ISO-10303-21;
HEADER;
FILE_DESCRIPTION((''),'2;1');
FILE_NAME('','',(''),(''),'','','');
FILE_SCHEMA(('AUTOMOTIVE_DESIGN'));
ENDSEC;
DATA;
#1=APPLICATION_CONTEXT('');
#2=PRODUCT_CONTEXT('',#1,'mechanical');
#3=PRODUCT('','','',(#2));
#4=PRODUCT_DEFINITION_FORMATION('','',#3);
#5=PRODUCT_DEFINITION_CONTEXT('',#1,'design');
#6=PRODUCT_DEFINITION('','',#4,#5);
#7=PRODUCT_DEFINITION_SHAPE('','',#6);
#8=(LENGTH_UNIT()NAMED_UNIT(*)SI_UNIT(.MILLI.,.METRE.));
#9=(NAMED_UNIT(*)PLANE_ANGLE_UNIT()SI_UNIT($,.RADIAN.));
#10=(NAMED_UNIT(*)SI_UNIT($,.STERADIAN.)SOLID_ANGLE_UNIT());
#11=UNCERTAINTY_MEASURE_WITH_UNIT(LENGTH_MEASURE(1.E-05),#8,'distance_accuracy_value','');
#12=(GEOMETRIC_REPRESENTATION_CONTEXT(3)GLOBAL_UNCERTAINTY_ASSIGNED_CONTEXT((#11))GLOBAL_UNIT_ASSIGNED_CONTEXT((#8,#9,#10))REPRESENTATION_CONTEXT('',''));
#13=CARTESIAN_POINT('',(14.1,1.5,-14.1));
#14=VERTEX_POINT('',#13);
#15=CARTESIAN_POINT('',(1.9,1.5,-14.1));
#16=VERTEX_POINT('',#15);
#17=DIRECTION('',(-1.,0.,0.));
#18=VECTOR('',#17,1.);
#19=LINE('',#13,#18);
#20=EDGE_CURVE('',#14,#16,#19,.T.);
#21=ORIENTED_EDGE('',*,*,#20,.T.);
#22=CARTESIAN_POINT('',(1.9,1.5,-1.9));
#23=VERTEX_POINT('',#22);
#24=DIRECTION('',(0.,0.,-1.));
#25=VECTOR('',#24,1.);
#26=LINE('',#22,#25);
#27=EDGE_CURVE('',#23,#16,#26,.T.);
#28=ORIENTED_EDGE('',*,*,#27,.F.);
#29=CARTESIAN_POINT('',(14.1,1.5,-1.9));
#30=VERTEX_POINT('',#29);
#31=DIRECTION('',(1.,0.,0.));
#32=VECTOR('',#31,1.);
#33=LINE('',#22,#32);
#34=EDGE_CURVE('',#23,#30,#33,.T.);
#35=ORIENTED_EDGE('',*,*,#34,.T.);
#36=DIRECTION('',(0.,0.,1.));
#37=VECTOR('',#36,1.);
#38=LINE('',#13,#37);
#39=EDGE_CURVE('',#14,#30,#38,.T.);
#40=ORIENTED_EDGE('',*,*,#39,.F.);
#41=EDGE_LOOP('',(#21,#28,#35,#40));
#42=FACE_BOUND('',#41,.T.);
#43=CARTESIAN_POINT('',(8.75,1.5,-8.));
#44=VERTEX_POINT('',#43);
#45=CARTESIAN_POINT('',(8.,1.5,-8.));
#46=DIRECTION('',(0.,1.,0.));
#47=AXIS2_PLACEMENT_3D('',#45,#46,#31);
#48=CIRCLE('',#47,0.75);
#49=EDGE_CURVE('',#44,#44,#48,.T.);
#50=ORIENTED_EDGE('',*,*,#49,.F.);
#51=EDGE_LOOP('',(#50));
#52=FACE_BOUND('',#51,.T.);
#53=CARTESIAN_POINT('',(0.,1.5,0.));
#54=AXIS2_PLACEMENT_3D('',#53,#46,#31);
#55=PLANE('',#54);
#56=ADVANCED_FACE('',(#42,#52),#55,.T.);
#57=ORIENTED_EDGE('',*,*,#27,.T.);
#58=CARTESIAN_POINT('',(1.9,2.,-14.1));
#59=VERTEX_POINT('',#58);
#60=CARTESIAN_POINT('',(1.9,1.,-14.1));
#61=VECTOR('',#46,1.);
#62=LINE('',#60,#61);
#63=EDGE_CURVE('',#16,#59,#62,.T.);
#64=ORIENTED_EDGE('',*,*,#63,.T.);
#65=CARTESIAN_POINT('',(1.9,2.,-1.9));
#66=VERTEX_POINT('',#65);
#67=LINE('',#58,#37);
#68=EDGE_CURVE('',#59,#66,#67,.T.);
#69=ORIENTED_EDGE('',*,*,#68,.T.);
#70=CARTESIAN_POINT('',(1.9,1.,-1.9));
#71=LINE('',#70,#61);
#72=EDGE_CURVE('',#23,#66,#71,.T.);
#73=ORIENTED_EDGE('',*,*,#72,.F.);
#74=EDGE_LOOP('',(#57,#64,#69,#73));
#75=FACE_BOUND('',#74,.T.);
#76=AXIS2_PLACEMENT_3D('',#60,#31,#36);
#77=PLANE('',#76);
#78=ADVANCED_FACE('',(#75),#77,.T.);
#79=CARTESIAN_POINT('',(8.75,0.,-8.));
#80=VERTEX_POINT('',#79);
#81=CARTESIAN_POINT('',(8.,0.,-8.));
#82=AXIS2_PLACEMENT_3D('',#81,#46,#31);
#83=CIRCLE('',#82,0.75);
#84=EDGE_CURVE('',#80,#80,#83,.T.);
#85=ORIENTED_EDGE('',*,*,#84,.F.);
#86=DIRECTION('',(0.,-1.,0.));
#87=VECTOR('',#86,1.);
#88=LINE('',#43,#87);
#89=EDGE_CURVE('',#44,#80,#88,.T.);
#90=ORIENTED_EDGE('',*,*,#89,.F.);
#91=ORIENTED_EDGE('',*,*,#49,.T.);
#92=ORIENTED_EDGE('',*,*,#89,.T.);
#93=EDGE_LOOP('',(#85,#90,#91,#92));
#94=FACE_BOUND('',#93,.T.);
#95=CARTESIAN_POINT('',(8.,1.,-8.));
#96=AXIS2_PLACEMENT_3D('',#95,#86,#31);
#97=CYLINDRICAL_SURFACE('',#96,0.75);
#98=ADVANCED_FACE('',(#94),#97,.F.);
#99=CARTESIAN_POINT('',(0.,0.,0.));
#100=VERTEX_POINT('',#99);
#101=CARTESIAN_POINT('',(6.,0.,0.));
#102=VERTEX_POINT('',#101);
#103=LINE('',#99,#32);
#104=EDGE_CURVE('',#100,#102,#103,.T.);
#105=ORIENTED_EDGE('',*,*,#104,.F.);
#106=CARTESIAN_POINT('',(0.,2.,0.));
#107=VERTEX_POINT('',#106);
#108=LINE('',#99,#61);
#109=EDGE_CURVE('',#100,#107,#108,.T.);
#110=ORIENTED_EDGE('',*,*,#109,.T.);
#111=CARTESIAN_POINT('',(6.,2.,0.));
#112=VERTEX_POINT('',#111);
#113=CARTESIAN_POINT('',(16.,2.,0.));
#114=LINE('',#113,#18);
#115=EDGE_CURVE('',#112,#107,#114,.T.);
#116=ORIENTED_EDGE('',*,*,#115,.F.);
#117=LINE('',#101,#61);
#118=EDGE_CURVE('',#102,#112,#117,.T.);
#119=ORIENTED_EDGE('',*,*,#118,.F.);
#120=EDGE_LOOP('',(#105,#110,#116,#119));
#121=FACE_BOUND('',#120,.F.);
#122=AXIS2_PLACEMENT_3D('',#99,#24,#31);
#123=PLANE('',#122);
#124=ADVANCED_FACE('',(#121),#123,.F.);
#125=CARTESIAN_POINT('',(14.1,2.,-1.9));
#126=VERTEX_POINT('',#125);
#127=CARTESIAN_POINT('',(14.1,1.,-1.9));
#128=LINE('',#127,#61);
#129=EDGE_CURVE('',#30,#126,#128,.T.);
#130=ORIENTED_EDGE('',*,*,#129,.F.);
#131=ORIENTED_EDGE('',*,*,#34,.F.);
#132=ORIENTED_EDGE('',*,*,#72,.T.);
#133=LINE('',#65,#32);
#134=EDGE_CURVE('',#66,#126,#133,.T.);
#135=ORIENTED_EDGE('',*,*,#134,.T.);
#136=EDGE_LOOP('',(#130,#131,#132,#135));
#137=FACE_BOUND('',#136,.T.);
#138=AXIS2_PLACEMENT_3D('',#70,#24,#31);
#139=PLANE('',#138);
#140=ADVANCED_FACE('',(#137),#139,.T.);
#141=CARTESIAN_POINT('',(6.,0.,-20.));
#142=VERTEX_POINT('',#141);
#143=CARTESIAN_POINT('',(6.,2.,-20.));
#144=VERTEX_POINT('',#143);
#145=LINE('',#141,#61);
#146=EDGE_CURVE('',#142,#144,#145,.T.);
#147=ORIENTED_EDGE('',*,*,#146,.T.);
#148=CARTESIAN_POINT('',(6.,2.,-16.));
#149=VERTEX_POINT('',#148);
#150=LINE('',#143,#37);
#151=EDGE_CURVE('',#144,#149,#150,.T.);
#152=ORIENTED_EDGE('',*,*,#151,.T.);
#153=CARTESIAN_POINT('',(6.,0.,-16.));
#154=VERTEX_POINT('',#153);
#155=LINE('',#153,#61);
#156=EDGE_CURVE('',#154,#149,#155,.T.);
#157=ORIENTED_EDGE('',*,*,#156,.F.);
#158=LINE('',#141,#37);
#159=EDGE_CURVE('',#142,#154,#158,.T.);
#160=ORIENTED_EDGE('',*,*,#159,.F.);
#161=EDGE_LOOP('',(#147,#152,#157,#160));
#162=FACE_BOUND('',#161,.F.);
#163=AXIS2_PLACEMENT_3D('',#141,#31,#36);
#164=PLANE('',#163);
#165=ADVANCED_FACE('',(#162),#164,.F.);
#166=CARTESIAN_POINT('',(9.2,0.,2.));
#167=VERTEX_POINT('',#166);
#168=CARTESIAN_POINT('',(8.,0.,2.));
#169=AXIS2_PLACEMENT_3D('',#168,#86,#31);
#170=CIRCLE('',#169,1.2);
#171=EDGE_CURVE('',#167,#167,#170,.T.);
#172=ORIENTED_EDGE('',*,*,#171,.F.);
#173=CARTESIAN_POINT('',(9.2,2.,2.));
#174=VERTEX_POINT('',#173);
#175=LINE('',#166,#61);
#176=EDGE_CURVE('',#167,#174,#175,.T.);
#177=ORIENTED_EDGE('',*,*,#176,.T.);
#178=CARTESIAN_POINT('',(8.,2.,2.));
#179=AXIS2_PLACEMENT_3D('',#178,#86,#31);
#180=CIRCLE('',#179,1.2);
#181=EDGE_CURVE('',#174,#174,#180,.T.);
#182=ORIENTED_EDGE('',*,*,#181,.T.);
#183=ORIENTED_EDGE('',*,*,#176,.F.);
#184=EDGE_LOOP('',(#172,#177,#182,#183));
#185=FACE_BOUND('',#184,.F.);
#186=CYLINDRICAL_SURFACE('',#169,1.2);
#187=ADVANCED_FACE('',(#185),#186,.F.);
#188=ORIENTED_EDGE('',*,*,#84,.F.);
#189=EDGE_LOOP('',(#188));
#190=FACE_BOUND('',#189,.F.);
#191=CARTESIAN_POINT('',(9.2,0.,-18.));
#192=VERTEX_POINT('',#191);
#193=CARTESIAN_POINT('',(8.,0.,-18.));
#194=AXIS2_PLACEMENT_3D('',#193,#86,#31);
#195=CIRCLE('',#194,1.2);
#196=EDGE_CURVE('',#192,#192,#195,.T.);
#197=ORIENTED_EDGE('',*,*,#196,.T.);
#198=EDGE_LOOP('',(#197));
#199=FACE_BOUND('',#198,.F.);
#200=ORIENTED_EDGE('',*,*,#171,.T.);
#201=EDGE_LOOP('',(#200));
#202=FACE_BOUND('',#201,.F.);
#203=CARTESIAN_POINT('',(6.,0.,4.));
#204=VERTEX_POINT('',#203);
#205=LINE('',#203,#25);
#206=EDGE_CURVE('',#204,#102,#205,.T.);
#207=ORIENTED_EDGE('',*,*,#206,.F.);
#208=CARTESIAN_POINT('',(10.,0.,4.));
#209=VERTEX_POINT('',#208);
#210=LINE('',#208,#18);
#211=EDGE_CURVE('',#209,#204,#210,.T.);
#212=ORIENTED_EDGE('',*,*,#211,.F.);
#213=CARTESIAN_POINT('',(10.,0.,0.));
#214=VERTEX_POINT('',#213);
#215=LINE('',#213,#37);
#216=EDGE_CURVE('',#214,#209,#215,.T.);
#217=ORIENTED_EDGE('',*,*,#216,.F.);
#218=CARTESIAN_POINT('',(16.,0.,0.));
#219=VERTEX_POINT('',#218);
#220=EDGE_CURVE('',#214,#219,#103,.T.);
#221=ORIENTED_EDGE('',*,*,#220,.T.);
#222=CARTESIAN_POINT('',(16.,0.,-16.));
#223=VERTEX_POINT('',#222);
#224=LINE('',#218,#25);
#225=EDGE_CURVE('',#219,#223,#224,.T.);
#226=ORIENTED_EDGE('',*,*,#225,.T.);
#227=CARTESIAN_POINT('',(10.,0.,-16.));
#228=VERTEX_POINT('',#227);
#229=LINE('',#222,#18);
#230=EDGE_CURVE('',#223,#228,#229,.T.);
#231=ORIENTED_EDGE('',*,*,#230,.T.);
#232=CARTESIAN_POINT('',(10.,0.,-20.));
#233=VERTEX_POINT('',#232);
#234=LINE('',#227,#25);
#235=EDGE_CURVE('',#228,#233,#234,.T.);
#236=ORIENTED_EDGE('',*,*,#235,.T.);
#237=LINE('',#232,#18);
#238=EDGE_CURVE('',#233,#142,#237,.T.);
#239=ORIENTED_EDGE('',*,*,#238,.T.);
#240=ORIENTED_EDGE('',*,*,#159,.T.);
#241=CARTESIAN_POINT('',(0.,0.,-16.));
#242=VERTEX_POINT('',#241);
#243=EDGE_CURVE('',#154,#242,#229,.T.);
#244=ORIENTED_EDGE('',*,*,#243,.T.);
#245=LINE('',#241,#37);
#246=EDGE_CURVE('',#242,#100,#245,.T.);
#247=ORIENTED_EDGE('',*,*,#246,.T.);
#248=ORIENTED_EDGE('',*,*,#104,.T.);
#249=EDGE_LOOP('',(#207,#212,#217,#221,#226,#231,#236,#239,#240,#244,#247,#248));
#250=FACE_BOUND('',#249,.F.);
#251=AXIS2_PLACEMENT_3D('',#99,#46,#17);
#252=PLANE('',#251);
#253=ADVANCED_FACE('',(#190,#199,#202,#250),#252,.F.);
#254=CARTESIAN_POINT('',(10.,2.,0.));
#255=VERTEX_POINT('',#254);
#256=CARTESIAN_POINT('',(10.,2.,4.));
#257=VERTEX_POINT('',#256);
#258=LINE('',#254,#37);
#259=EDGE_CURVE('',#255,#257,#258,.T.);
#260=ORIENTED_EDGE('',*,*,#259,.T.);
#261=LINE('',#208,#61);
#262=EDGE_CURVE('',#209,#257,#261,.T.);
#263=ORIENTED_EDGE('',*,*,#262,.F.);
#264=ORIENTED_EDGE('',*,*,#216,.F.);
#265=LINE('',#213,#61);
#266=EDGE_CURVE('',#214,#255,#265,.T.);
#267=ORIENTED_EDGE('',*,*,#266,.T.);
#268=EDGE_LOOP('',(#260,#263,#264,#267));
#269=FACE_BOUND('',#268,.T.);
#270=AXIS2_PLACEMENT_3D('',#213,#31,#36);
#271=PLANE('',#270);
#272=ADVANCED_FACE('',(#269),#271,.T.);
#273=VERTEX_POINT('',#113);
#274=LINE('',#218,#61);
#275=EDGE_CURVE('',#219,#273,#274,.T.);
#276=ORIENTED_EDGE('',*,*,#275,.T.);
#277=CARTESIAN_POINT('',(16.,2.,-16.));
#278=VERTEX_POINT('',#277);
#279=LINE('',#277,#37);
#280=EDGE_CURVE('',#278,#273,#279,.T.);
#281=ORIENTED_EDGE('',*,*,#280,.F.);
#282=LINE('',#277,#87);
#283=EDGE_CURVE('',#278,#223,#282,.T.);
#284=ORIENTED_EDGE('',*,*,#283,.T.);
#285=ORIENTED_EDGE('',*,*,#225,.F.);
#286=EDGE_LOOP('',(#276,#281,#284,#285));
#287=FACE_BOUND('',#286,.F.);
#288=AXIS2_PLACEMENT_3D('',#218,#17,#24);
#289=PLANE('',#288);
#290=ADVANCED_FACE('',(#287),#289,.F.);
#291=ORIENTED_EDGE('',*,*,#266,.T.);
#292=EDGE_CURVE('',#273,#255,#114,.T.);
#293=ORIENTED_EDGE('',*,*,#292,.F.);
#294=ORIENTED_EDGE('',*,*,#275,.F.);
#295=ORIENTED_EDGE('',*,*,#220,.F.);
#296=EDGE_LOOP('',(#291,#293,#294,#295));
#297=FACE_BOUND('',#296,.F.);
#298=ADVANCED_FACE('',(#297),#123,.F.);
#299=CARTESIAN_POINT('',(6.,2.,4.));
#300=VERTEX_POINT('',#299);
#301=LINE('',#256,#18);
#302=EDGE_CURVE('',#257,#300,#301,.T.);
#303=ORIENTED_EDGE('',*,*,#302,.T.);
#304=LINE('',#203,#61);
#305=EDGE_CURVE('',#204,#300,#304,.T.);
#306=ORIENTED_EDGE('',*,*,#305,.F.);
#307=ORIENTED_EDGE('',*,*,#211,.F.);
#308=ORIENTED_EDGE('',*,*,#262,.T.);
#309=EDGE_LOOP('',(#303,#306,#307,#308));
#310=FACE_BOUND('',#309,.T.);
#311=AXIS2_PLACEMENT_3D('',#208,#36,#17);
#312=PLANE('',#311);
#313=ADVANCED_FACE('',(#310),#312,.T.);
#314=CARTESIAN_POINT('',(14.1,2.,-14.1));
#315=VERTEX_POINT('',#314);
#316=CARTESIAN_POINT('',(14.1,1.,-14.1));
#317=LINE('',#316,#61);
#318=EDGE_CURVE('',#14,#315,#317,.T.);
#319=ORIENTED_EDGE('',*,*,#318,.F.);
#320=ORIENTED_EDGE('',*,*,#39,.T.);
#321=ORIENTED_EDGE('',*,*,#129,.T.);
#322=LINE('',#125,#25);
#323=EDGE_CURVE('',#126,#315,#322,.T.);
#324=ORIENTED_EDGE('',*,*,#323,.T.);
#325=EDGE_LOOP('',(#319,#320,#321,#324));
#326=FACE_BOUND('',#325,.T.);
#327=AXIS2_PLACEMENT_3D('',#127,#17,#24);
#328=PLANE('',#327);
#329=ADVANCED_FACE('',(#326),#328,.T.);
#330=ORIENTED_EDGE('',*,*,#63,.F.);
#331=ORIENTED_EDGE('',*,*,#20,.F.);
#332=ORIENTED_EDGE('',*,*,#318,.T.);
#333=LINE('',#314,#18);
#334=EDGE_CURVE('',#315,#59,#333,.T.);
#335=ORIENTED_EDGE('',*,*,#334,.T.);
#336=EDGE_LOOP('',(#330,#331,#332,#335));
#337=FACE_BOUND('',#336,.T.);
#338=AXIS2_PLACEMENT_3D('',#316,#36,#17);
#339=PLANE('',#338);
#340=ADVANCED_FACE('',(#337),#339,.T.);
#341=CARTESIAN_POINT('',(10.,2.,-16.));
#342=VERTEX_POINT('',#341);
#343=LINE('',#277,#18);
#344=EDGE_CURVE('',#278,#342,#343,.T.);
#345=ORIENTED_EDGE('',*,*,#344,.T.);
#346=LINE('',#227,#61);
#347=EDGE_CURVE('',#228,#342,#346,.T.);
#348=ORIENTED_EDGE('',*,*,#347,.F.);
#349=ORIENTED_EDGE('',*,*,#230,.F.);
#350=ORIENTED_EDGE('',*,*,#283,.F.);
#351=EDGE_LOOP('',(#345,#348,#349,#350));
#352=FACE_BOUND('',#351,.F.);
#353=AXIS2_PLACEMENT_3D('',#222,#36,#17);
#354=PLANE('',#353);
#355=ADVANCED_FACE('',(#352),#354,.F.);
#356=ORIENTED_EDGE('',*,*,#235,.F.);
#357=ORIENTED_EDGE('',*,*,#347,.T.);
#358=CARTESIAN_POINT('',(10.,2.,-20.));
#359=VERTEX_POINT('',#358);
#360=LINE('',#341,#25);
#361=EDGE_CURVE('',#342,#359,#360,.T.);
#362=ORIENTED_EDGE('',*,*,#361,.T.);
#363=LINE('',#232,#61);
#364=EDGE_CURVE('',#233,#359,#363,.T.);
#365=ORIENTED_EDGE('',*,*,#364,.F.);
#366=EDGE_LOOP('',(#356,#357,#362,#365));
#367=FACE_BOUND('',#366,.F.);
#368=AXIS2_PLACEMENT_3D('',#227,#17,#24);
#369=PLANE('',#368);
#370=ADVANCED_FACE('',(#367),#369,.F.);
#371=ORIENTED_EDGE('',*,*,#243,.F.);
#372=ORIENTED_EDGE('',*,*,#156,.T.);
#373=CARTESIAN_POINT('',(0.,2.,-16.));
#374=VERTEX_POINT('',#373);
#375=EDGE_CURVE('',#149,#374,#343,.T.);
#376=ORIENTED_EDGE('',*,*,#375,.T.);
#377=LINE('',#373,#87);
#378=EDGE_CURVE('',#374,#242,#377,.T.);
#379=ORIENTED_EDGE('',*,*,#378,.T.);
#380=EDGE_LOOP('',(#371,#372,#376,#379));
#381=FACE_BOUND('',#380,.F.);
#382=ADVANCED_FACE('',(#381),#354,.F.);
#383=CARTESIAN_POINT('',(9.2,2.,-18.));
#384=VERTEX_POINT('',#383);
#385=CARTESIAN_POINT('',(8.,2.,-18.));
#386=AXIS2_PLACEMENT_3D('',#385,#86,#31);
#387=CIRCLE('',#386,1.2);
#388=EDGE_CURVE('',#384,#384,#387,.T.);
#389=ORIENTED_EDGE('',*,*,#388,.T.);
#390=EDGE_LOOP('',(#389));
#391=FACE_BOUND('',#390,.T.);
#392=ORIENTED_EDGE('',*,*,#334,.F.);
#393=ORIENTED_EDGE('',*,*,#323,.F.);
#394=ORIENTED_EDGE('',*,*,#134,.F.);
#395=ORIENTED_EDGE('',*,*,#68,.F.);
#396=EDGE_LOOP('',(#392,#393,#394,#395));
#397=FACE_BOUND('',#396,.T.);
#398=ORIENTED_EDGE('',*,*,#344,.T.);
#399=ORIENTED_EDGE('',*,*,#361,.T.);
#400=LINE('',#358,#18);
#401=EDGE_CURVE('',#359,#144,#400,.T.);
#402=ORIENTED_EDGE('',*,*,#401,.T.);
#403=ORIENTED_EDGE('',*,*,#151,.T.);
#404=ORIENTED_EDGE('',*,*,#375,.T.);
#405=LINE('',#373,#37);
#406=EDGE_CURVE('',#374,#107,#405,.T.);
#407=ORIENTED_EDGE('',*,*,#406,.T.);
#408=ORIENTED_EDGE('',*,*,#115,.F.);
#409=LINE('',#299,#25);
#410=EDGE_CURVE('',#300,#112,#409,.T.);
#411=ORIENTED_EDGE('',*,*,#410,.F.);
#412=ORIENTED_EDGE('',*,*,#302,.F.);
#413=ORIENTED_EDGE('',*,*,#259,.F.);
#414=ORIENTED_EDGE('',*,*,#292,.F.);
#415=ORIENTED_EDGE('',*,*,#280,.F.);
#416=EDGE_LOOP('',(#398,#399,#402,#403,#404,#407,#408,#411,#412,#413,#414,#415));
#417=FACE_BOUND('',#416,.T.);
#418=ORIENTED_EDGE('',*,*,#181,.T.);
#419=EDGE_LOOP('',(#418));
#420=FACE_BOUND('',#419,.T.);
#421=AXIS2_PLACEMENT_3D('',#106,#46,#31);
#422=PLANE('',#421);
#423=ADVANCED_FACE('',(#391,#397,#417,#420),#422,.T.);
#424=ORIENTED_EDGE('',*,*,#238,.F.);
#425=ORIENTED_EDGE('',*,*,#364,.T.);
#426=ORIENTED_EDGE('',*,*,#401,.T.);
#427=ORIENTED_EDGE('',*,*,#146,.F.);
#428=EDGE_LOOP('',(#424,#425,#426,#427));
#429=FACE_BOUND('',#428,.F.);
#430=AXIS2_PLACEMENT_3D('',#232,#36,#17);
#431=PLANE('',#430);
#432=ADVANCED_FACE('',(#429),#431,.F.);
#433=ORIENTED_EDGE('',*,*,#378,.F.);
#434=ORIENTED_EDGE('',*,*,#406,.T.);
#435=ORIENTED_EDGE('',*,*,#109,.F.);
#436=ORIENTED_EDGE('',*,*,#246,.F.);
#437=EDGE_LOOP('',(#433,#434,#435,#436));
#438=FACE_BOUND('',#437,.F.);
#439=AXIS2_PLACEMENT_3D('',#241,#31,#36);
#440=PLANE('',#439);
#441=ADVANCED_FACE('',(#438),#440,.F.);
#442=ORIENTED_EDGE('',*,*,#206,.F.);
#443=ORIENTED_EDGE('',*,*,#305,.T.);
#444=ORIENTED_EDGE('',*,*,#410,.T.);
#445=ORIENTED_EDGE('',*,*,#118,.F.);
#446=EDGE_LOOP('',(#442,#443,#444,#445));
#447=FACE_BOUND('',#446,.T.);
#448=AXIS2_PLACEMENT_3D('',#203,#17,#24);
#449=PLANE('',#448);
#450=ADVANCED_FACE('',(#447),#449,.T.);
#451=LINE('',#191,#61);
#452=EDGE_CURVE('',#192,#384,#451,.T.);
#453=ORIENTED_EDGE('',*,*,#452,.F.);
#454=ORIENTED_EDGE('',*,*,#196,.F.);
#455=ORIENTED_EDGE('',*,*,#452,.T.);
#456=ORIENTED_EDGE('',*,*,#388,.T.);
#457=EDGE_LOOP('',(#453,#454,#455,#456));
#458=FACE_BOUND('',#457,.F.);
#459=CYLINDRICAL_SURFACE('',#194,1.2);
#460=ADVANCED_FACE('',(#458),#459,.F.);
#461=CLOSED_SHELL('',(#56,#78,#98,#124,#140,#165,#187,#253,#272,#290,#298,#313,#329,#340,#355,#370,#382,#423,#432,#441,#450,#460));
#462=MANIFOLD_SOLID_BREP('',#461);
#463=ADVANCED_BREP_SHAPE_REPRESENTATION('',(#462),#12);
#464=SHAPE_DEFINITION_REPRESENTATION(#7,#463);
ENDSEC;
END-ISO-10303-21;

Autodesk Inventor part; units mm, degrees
ref_plane "YZ Plane" through (0, 0, 0) normal (1, 0, 0) x (0, 1, 0)
ref_plane "XZ Plane" through (0, 0, 0) normal (0, 1, 0) x (-1, 0, 0)
ref_plane "XY Plane" through (0, 0, 0) normal (0, 0, 1) x (1, 0, 0)
sketch "Sketch1" plane through (0, 0, 0) normal (0, 1, 0) x (-1, 0, 0)
  line L0 (0, 0) -> (-16, 0)
  line L1 (-16, 0) -> (-16, -16)
  line L2 (-16, -16) -> (0, -16)
  line L3 (0, -16) -> (0, 0)
  dimension "d0" = 16
  dimension "d1" = 16
extrude "Extrusion1" add sketch "Sketch1" along normal blind 1
sketch "Sketch5" plane through (0, 1, 0) normal (0, 1, 0) x (1, 0, 0)
  line L0 (16, 0) -> (16, 16) projected
  line L1 (0, 0) -> (16, 0)
  line L2 (16, 0) -> (16, 16)
  line L3 (16, 16) -> (0, 16)
  line L4 (0, 16) -> (0, 0)
  line L5 (0, 16) -> (0, 0) projected
  line L6 (0, 0) -> (1, 0)
  line L7 (1, 0) -> (1, 1)
  line L8 (1, 1) -> (0, 1)
  line L9 (0, 1) -> (0, 0)
  line L10 (16, 16) -> (0, 16) projected
  line L11 (16, 16) -> (15, 16)
  line L12 (15, 16) -> (15, 15)
  line L13 (15, 15) -> (16, 15)
  line L14 (16, 15) -> (16, 16)
  line L15 (15, 15) -> (1, 15)
  line L16 (1, 15) -> (1, 1)
  line L17 (1, 1) -> (15, 1)
  line L18 (15, 1) -> (15, 15)
  dimension "d20" = 1
  dimension "d21" = 1
  dimension "d22" = 1
  dimension "d23" = 1
extrude "Extrusion5" add sketch "Sketch5" along normal blind 1 contours L1 L7 L17 L18 L13 L0 | L13 L12 L3 L0 | L1 L4 L8 L7 | L15 L16 L8 L4 L3 L12
sketch "Sketch6" plane through (0, 1, 0) normal (0, 1, 0) x (1, 0, 0)
  line L0 (1, 1) -> (1, 15) projected
  line L1 (15, 15) -> (15, 1) projected
  line L2 (1, 15) -> (15, 15) projected
  line L3 (15, 1) -> (1, 1) projected
  circle A0 centre (8, 8) radius 0.75
  line L4 (1, 8) -> (7.25, 8)
  line L5 (8.75, 8) -> (15, 8)
  line L6 (8, 15) -> (8, 8.75)
  line L7 (8, 7.25) -> (8, 1)
  point P0 (0, 0)
  dimension "d26" = 1.5
extrude "Extrusion6" cut sketch "Sketch6" against normal blind 1 contours A0
sketch "Sketch9" plane through (0, 0, 0) normal (0, -1, 0) x (1, 0, 0)
  circle A0 centre (8, -8) radius 0.75 projected
  line L0 (8, -8) -> (8, 0)
  line L1 (8, 0) -> (6, 0)
  line L2 (0, 0) -> (16, 0) projected
  line L3 (6, 0) -> (10, 0)
  line L4 (10, 0) -> (10, 4)
  line L5 (10, 4) -> (6, 4)
  line L6 (6, 4) -> (6, 0)
  line L7 (16, -16) -> (0, -16) projected
  line L8 (8, -16) -> (6, -16)
  line L9 (6, -16) -> (10, -16)
  line L10 (10, -16) -> (10, -20)
  line L11 (10, -20) -> (6, -20)
  line L12 (6, -20) -> (6, -16)
  circle A1 centre (8, 2) radius 1.2
  circle A2 centre (8, -18) radius 1.2
  dimension "d35" = 2
  dimension "d36" = 4
  dimension "d37" = 4
  dimension "d38" = 2
  dimension "d39" = 4
  dimension "d40" = 4
  dimension "d43" = 2.4
  dimension "d44" = 2.4
extrude "Extrusion9" add sketch "Sketch9" against normal blind 2 contours L1 L6 L5 L4 L2 | L10 L11 L12 L7
sketch "Sketch11" plane through (0, 1, 0) normal (0, 1, 0) x (1, 0, 0)
  line L0 (1, 1) -> (1, 15) projected
  line L1 (1, 1) -> (15, 1)
  line L2 (15, 1) -> (15, 15)
  line L3 (15, 15) -> (1, 15)
  line L4 (1, 15) -> (1, 1)
  line L5 (1, 1) -> (1.9, 1)
  line L6 (1.9, 1) -> (1.9, 1.9)
  line L7 (1.9, 1.9) -> (1, 1.9)
  line L8 (1, 1.9) -> (1, 1)
  line L9 (15, 1) -> (15, 15) projected
  line L10 (15, 15) -> (14.1, 15)
  line L11 (14.1, 15) -> (14.1, 14.1)
  line L12 (14.1, 14.1) -> (15, 14.1)
  line L13 (15, 14.1) -> (15, 15)
  line L14 (14.1, 14.1) -> (1.9, 14.1)
  line L15 (1.9, 14.1) -> (1.9, 1.9)
  line L16 (1.9, 1.9) -> (14.1, 1.9)
  line L17 (14.1, 1.9) -> (14.1, 14.1)
  point P0 (0, 0)
  dimension "d47" = 0.9
  dimension "d48" = 0.9
  dimension "d49" = 0.9
  dimension "d50" = 0.9
extrude "Extrusion10" add sketch "Sketch11" along normal blind 1 contours L0 L7 L6 L1 | L0 L3 L11 L14 L15 L7 | L6 L16 L17 L12 L2 L1 | L3 L2 L12 L11
sketch "Sketch12" plane through (0, 1, 0) normal (0, 1, 0) x (1, 0, 0)
  line L0 (1.9, 1.9) -> (1.9, 14.1) projected
  line L1 (14.1, 14.1) -> (14.1, 1.9) projected
  line L2 (1.9, 1.9) -> (14.1, 1.9)
  line L3 (14.1, 1.9) -> (14.1, 14.1)
  line L4 (14.1, 14.1) -> (1.9, 14.1)
  line L5 (1.9, 14.1) -> (1.9, 1.9)
  circle A0 centre (8, 8) radius 0.75 projected
  circle A1 centre (8, 8) radius 0.75
  point P0 (0, 0)
  point P1 (14.1, 1.9)
  point P2 (1.9, 14.1)
extrude "Extrusion11" add sketch "Sketch12" along normal blind 0.5
properties part number "aruco_mount_v1"
